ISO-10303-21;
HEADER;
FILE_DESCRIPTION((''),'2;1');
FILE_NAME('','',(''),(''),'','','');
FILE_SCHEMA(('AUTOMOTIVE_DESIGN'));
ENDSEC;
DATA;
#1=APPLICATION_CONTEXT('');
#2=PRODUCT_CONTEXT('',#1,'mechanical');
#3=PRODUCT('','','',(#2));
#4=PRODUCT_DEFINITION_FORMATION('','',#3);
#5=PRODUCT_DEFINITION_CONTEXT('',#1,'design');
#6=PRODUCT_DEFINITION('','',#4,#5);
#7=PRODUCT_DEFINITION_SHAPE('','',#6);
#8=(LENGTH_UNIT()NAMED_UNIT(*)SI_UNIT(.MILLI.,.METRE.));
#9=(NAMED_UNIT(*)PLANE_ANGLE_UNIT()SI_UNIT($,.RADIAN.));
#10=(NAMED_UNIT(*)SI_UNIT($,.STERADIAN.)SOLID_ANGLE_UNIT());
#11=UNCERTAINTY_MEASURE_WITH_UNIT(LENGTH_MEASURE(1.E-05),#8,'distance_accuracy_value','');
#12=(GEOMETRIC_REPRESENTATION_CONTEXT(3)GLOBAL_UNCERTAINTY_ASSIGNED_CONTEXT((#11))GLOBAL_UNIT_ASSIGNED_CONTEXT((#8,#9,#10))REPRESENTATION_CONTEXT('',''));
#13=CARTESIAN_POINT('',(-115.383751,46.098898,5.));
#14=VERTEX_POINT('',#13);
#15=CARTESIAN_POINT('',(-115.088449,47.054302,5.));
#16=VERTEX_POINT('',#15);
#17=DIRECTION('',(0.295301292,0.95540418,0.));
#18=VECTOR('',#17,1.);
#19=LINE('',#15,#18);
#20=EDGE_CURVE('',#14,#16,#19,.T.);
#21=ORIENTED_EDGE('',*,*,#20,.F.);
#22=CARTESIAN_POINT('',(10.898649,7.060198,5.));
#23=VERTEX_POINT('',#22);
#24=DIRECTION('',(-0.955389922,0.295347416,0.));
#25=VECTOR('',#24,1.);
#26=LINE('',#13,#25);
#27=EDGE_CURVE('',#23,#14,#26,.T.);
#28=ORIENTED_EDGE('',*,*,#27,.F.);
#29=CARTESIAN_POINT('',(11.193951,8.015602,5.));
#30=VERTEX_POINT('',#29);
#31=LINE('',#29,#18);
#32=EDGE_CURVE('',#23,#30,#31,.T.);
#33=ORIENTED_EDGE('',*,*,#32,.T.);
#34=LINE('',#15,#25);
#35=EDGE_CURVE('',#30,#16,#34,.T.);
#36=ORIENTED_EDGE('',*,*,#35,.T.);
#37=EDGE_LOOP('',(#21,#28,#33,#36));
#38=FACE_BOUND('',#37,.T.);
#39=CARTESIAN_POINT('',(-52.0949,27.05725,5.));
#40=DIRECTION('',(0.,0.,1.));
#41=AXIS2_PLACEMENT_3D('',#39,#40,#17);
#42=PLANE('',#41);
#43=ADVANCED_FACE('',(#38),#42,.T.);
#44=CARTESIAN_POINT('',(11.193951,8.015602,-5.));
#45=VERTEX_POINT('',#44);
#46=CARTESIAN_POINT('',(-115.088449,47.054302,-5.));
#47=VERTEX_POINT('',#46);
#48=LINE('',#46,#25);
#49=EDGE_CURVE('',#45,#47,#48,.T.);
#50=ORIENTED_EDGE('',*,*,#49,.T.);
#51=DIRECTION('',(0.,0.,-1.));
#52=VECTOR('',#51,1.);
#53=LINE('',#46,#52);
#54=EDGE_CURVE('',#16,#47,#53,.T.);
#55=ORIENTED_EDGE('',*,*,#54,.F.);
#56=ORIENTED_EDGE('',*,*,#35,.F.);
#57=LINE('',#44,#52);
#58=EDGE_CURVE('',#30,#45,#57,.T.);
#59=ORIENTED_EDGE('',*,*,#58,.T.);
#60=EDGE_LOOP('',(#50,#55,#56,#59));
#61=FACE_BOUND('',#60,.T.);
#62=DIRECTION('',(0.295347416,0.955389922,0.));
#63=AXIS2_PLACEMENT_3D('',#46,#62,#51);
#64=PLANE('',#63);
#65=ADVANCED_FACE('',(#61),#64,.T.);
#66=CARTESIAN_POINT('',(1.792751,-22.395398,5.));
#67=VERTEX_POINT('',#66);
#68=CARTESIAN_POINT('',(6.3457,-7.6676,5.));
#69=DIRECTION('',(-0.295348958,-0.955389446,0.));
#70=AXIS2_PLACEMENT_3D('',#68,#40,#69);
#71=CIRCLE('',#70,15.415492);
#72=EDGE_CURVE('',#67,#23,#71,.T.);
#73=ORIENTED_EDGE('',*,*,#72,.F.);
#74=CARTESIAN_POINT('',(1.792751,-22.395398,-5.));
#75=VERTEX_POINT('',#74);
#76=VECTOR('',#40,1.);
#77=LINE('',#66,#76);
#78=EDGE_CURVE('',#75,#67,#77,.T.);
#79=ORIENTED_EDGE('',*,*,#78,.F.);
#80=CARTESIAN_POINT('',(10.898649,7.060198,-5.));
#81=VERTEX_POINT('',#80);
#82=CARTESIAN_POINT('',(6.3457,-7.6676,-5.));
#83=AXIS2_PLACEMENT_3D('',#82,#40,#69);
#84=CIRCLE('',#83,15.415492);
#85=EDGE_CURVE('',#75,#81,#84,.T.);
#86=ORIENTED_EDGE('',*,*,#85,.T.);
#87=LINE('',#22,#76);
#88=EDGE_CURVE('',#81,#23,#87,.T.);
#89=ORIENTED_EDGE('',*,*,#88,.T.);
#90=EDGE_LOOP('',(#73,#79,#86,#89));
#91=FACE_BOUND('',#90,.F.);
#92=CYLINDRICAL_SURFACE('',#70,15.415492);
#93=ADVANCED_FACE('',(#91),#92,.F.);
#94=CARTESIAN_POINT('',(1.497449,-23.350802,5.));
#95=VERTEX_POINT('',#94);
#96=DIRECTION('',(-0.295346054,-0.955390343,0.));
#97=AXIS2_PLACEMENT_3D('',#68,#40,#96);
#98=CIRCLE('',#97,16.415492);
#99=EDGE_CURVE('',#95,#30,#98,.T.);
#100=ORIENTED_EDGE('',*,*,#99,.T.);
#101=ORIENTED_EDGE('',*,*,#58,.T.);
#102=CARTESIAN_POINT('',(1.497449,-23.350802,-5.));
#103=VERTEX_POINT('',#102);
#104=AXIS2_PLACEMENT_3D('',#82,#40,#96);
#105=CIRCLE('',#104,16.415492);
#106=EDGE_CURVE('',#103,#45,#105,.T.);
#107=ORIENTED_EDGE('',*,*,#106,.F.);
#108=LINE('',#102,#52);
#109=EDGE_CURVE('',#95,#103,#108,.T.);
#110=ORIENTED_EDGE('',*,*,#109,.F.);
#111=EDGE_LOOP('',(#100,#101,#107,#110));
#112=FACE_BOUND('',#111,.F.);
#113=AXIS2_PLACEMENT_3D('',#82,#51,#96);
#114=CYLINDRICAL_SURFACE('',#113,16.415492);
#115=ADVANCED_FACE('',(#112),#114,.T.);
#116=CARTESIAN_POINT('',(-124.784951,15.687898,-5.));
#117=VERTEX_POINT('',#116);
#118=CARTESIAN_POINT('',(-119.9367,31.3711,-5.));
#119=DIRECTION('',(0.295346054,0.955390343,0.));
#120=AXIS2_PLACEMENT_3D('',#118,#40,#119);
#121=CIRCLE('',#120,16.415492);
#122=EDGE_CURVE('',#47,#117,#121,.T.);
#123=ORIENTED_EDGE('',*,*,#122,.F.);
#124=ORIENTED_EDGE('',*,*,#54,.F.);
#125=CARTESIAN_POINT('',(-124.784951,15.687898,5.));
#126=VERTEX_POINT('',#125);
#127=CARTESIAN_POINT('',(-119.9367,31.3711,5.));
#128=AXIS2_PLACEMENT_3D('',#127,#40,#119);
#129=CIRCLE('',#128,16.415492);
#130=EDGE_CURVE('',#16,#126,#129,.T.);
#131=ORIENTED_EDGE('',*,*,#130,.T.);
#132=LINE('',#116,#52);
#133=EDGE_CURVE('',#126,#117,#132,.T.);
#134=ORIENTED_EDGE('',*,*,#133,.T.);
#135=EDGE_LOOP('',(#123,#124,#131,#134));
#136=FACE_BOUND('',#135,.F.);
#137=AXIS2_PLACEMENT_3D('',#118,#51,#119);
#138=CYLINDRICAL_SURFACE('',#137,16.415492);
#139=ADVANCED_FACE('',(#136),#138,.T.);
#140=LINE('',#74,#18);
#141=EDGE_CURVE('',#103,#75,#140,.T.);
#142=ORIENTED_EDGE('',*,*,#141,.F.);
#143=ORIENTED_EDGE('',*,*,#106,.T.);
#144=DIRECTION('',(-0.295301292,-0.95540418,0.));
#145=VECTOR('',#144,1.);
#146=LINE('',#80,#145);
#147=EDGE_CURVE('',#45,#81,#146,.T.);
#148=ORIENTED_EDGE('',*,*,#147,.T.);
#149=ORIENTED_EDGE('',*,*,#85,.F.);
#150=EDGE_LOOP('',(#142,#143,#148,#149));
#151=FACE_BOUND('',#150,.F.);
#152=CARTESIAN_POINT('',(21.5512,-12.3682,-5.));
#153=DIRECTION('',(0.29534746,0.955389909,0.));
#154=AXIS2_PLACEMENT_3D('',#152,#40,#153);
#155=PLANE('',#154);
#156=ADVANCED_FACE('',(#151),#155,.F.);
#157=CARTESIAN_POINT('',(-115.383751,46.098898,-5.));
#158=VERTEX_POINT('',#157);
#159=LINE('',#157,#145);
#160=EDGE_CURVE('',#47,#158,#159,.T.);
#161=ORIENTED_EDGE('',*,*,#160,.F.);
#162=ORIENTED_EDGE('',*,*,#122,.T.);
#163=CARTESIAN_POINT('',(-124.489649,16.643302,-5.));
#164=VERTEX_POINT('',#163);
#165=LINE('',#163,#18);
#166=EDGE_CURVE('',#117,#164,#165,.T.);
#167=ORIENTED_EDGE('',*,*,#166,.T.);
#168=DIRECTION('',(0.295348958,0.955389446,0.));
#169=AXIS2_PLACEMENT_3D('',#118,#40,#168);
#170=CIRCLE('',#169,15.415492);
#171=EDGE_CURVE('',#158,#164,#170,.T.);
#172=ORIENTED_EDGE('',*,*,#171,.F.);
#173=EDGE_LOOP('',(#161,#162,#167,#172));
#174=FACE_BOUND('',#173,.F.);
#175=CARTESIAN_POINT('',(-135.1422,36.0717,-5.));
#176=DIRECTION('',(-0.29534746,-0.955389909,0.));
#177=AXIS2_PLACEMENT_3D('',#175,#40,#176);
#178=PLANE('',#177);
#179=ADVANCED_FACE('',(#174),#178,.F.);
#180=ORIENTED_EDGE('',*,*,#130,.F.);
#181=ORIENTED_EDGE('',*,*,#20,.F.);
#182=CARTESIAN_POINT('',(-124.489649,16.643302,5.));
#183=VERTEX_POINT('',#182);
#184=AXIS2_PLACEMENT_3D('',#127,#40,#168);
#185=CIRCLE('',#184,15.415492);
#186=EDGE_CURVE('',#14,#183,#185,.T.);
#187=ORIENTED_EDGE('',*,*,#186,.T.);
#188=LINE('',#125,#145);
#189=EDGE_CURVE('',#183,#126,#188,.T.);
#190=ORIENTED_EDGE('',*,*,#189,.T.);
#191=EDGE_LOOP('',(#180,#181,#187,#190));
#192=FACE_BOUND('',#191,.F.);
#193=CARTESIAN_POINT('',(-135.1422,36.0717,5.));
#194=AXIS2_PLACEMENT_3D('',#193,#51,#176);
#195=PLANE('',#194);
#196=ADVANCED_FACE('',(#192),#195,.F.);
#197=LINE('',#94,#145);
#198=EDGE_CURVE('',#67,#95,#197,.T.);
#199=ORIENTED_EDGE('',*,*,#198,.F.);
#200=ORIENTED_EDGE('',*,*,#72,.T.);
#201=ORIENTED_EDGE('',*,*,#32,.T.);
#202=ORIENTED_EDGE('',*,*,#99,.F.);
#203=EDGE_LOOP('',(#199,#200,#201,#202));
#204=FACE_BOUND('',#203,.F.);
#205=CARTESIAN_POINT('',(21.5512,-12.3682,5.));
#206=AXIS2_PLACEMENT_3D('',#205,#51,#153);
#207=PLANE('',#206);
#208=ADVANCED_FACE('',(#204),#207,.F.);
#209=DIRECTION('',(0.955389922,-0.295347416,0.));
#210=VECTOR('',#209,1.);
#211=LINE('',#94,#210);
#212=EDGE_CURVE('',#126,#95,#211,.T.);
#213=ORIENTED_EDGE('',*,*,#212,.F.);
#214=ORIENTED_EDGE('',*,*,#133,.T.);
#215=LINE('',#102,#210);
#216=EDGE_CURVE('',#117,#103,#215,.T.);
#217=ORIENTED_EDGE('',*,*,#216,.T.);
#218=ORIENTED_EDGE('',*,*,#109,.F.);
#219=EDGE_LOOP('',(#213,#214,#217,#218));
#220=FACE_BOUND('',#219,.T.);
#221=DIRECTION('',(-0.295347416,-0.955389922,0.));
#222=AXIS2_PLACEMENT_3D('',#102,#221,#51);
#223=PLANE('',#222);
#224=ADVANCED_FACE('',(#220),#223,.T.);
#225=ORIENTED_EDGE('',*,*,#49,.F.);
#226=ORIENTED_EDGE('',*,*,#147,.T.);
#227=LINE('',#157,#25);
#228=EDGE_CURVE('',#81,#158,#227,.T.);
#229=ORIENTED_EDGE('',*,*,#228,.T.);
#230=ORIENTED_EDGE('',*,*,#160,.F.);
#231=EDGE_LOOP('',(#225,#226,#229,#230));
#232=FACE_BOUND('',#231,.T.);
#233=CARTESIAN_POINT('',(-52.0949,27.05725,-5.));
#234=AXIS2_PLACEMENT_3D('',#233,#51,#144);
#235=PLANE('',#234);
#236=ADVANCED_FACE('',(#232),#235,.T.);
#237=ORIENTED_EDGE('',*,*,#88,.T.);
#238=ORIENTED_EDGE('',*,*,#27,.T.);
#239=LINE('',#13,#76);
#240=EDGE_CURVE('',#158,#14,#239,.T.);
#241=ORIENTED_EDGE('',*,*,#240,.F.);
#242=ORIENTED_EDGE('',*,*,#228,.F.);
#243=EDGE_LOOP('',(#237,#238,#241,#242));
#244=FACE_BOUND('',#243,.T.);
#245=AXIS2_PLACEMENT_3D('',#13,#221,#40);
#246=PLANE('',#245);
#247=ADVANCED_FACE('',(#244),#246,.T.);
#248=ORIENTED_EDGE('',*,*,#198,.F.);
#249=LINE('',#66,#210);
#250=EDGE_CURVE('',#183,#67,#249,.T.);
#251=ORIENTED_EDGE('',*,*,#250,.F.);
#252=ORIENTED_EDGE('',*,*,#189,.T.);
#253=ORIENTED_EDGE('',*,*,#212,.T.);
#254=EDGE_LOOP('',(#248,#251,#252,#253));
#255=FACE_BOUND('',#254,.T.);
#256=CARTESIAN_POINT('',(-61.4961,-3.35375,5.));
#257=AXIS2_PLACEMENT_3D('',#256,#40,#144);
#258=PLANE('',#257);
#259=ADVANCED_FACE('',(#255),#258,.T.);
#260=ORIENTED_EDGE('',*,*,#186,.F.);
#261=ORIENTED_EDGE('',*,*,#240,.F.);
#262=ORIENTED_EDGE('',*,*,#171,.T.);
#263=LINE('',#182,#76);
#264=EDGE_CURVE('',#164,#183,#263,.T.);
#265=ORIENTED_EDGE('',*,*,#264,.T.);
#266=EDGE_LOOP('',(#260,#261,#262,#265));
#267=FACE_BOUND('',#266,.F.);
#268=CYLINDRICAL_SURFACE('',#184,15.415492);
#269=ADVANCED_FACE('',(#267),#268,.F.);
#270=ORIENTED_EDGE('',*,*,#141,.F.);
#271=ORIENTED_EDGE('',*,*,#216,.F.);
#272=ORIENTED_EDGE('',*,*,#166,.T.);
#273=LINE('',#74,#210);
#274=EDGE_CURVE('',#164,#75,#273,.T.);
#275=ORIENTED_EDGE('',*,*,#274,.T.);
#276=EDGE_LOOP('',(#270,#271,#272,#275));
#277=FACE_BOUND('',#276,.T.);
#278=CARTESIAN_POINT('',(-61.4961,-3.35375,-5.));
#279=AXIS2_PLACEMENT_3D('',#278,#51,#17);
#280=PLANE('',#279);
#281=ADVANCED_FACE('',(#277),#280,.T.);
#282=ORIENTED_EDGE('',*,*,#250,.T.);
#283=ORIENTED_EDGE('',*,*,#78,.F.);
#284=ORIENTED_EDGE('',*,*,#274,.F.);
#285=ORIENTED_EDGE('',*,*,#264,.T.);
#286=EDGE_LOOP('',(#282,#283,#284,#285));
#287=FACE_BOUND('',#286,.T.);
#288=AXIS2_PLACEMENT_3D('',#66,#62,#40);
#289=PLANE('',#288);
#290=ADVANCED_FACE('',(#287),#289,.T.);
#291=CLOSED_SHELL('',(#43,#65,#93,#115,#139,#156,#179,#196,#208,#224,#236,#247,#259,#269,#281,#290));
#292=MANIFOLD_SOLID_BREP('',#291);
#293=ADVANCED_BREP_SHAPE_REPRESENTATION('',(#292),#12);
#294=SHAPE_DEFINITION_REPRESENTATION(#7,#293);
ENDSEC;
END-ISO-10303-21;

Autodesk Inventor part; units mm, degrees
sketch "Skizzenpfad" plane through (0, 0, 0) normal (0, 0, 1) x (1, 0, 0)
  arc A0 (1.6451, -22.8731) -> (11.0463, 7.5379) centre (6.3457, -7.6676) ccw
  arc A1 (-115.2361, 46.5766) -> (-124.6373, 16.1656) centre (-119.9367, 31.3711) ccw
  line L0 (-115.2361, 46.5766) -> (11.0463, 7.5379)
  line L1 (1.6451, -22.8731) -> (-124.6373, 16.1656)
ref_plane "Querschnittsebene" through (11.0463, 7.5379, 0) normal (-0.9554, 0.2953, 0) x (0, 0, 1)
ref_plane "Arbeitsebene2" through (6.3457, -7.6676, 0) normal (-1, 0, 0) x (0, 0, 1)
ref_plane "Arbeitsebene3" through (-119.9367, 31.3711, 0) normal (0.8817, -0.4719, 0) x (0, 0, 1)
sketch "Querschnitt" plane through (11.0463, 7.5379, 0) normal (-0.9554, 0.2953, 0) x (0, 0, 1)
  line L0 (-5, 0.5) -> (5, 0.5)
  line L1 (5, 0.5) -> (5, -0.5)
  line L2 (5, -0.5) -> (-5, -0.5)
  line L3 (-5, -0.5) -> (-5, 0.5)
  line L4 (-5, 0) -> (5, 0) construction
  point P0 (0, 0)
  point P1 (0, 0)
  dimension "d0" = 10
  dimension "d4" = 0.5
  dimension "d5" = 0.5
sweep "Riemen" add profiles "Querschnitt" path "Skizzenpfad"
equation "\"d0\" = da_B"
equation "\"d4\" = da_a"
equation "\"d5\" = da_a2"
equation "\"da_B\" = 10"
equation "\"da_pb\" = 5"
equation "\"da_L\" = 364.35771"
equation "\"da_a\" = 0.5"
equation "\"da_S\" = 2.65"
equation "\"da_Beta\" = 20deg"
equation "\"da_Ht\" = 1.2"
equation "\"da_H\" = 2.2"
equation "\"da_a2\" = 0.5"
properties part number "Zahnriemen" material "Rubber"
